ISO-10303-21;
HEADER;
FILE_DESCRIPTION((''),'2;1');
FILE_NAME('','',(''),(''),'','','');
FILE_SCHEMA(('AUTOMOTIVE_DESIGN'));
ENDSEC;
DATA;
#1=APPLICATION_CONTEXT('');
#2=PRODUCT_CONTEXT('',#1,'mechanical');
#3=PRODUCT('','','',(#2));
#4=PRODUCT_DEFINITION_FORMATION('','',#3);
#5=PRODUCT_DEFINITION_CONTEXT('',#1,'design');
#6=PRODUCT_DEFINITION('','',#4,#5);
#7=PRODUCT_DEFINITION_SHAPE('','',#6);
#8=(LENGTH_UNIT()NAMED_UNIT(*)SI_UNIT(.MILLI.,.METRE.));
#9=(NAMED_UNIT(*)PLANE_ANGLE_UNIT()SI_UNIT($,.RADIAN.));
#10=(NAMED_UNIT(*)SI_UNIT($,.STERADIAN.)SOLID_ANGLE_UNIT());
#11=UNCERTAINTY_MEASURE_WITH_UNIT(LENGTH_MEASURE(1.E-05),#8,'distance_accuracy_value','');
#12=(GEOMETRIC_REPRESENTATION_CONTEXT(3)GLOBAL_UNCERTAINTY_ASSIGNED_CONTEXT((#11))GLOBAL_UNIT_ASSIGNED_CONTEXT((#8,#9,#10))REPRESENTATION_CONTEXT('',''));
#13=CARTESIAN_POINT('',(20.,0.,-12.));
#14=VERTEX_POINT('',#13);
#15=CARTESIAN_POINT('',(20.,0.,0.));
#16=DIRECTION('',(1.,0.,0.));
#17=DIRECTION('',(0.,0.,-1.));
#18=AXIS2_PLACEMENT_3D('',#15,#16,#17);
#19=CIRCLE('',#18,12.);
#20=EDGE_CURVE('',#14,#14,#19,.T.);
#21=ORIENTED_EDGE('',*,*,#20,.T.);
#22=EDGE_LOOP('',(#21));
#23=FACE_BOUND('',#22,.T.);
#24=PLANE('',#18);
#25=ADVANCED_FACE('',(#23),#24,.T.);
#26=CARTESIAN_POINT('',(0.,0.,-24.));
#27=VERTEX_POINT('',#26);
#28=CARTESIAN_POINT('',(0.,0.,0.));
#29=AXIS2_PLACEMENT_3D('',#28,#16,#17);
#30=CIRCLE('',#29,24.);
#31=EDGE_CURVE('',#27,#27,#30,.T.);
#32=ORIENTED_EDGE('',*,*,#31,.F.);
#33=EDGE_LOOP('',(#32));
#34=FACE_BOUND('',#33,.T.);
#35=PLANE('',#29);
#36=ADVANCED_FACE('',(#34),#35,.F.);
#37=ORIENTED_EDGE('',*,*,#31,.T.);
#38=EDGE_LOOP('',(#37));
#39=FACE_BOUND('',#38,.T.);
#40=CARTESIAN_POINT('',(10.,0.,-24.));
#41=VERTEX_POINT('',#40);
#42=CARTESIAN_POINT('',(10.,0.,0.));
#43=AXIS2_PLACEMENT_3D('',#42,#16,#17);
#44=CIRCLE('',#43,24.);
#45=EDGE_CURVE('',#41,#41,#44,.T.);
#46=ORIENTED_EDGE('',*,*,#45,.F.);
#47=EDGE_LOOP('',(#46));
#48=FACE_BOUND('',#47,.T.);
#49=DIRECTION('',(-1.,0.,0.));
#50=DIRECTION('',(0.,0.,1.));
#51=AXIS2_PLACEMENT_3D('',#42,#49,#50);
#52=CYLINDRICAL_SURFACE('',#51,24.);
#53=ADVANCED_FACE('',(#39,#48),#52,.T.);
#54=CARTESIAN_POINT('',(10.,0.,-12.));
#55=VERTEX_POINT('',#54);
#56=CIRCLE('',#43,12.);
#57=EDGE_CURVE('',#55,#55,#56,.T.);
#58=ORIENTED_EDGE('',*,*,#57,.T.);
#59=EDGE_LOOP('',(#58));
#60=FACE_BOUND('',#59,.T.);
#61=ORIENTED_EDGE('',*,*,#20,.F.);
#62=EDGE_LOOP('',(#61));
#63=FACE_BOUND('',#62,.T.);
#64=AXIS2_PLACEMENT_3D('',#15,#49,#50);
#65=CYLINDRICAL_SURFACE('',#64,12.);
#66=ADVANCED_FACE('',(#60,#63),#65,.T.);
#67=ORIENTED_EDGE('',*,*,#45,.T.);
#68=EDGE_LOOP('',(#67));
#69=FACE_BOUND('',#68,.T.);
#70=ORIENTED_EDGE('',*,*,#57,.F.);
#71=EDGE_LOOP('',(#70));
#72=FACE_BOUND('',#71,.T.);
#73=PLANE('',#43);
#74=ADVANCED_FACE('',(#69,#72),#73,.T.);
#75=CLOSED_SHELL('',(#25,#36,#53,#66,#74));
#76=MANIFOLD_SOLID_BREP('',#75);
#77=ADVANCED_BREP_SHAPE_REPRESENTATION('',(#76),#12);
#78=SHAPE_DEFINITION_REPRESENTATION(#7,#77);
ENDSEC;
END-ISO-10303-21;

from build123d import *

# Parameters (mm, degrees)
SKETCH_1_R      = 24
EXTRUDE_1_DEPTH = 10
SKETCH_2_R      = 12
EXTRUDE_2_DEPTH = 10


with BuildPart() as part:
    # 草图1 → 凸台-拉伸1 (new body)
    with BuildSketch(Plane(origin=(0, 0, 0), x_dir=(0, 0, -1), z_dir=(1, 0, 0))):
        Circle(SKETCH_1_R)
    extrude(amount=EXTRUDE_1_DEPTH)

    # 草图2 → 凸台-拉伸2 (add)
    with BuildSketch(Plane(origin=(10, 0, 0), x_dir=(0, 0, -1), z_dir=(1, 0, 0))):
        Circle(SKETCH_2_R)
    extrude(amount=EXTRUDE_2_DEPTH)


solid = part.part
